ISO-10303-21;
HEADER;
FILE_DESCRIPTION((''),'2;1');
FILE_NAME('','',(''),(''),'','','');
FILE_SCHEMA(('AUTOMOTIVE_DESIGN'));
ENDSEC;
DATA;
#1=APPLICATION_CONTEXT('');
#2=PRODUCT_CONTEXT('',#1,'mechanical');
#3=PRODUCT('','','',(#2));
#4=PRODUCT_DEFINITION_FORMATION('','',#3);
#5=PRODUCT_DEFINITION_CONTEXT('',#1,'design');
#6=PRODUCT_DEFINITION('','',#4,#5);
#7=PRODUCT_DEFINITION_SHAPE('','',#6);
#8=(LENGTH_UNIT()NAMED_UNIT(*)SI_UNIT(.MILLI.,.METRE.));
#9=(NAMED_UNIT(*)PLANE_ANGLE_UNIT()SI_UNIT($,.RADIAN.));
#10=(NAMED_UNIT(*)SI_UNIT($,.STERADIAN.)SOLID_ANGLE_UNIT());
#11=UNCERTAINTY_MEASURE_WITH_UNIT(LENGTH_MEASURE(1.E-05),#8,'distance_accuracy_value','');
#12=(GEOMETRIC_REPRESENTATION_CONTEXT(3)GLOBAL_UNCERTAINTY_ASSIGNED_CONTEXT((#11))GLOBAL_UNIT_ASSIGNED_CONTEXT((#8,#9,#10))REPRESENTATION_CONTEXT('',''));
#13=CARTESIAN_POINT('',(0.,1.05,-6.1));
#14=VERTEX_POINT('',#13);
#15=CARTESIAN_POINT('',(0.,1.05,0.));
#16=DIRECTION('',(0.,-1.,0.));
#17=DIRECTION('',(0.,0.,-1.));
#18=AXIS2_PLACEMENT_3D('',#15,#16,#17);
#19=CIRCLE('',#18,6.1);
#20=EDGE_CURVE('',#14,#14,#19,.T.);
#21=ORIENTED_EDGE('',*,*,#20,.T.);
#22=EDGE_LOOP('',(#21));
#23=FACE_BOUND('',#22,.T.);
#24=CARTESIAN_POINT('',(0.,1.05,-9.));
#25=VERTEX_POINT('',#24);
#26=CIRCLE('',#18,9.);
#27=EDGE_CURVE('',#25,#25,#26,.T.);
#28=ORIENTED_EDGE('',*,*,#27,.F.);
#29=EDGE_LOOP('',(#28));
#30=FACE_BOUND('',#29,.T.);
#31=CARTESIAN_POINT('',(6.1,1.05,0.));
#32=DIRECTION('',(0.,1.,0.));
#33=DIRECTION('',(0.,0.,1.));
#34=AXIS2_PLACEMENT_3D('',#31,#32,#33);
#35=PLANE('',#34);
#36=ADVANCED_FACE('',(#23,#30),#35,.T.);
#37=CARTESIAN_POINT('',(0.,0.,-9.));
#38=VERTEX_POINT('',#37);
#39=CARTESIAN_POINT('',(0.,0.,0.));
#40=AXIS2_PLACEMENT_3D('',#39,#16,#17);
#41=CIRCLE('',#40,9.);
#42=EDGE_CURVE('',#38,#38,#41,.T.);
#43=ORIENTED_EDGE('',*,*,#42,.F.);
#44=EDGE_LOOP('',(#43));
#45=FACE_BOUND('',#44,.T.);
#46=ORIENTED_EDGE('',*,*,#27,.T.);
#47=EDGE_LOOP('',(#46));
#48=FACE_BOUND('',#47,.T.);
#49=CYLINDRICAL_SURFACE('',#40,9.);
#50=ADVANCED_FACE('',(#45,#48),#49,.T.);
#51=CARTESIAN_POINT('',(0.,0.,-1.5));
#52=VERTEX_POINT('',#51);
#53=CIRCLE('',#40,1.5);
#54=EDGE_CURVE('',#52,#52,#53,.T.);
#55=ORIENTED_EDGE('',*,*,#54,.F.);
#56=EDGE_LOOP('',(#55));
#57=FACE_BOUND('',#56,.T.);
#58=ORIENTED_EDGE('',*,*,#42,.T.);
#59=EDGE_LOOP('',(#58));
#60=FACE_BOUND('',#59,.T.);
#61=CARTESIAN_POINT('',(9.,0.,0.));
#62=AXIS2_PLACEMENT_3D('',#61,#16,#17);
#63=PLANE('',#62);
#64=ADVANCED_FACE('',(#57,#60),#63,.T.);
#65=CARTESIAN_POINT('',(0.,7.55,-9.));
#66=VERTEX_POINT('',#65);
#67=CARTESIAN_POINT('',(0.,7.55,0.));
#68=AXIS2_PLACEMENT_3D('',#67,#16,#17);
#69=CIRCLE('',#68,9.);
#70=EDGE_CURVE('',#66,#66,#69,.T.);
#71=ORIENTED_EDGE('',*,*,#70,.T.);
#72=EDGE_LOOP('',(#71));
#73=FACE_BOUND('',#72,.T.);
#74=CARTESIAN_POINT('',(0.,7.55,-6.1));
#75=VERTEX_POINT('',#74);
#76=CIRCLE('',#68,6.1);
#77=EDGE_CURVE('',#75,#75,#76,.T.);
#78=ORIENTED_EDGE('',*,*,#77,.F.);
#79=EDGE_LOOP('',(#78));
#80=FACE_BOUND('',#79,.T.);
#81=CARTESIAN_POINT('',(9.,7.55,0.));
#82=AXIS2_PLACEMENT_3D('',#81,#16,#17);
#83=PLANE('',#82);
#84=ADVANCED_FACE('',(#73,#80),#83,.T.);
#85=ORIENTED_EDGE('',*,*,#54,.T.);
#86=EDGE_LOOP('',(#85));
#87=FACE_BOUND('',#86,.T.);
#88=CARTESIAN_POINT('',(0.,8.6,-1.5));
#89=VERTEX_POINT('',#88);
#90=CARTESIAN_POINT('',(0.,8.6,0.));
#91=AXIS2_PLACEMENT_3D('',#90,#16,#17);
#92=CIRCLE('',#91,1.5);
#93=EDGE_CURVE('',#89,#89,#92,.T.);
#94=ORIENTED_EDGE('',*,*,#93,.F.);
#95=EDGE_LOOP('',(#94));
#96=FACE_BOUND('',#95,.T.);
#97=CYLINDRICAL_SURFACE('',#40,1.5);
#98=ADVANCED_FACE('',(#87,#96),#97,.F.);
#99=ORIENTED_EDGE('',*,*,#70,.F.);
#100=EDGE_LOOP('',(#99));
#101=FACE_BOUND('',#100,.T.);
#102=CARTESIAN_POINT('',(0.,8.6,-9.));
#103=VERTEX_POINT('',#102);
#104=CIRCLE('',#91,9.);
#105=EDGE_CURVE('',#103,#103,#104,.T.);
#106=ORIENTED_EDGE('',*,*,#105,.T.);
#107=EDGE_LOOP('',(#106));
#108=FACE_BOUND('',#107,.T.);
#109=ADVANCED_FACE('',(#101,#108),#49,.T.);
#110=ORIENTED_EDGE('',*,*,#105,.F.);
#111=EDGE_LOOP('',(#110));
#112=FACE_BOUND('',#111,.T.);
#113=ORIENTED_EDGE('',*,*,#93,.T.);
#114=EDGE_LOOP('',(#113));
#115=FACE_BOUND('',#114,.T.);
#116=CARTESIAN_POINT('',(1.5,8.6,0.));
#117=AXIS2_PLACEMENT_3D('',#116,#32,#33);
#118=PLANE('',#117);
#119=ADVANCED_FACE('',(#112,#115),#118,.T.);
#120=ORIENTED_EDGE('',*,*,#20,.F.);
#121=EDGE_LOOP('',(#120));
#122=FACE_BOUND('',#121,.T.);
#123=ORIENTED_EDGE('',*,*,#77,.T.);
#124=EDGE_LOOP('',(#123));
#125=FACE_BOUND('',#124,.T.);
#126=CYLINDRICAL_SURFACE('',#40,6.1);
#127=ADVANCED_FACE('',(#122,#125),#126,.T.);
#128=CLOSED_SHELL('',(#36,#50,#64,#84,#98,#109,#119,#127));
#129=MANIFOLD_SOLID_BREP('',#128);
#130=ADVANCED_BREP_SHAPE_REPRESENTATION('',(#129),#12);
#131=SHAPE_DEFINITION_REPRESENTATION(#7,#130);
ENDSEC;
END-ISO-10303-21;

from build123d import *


with BuildPart() as part:
    # Esboço1 → Revolução1 (revolve)
    with BuildSketch(Plane.XY, mode=Mode.PRIVATE) as revolu_o1_sk:
        Polygon((1.5, 8.6), (9, 8.6), (9, 7.55), (6.1, 7.55), (6.1, 1.05), (9, 1.05), (9, 0), (1.5, 0), align=None)
    revolve(revolu_o1_sk.sketch.rotate(Axis((0, 0, 0), (0, 1, 0)), 90), axis=Axis((0, 0, 0), (0, 1, 0)))


solid = part.part
